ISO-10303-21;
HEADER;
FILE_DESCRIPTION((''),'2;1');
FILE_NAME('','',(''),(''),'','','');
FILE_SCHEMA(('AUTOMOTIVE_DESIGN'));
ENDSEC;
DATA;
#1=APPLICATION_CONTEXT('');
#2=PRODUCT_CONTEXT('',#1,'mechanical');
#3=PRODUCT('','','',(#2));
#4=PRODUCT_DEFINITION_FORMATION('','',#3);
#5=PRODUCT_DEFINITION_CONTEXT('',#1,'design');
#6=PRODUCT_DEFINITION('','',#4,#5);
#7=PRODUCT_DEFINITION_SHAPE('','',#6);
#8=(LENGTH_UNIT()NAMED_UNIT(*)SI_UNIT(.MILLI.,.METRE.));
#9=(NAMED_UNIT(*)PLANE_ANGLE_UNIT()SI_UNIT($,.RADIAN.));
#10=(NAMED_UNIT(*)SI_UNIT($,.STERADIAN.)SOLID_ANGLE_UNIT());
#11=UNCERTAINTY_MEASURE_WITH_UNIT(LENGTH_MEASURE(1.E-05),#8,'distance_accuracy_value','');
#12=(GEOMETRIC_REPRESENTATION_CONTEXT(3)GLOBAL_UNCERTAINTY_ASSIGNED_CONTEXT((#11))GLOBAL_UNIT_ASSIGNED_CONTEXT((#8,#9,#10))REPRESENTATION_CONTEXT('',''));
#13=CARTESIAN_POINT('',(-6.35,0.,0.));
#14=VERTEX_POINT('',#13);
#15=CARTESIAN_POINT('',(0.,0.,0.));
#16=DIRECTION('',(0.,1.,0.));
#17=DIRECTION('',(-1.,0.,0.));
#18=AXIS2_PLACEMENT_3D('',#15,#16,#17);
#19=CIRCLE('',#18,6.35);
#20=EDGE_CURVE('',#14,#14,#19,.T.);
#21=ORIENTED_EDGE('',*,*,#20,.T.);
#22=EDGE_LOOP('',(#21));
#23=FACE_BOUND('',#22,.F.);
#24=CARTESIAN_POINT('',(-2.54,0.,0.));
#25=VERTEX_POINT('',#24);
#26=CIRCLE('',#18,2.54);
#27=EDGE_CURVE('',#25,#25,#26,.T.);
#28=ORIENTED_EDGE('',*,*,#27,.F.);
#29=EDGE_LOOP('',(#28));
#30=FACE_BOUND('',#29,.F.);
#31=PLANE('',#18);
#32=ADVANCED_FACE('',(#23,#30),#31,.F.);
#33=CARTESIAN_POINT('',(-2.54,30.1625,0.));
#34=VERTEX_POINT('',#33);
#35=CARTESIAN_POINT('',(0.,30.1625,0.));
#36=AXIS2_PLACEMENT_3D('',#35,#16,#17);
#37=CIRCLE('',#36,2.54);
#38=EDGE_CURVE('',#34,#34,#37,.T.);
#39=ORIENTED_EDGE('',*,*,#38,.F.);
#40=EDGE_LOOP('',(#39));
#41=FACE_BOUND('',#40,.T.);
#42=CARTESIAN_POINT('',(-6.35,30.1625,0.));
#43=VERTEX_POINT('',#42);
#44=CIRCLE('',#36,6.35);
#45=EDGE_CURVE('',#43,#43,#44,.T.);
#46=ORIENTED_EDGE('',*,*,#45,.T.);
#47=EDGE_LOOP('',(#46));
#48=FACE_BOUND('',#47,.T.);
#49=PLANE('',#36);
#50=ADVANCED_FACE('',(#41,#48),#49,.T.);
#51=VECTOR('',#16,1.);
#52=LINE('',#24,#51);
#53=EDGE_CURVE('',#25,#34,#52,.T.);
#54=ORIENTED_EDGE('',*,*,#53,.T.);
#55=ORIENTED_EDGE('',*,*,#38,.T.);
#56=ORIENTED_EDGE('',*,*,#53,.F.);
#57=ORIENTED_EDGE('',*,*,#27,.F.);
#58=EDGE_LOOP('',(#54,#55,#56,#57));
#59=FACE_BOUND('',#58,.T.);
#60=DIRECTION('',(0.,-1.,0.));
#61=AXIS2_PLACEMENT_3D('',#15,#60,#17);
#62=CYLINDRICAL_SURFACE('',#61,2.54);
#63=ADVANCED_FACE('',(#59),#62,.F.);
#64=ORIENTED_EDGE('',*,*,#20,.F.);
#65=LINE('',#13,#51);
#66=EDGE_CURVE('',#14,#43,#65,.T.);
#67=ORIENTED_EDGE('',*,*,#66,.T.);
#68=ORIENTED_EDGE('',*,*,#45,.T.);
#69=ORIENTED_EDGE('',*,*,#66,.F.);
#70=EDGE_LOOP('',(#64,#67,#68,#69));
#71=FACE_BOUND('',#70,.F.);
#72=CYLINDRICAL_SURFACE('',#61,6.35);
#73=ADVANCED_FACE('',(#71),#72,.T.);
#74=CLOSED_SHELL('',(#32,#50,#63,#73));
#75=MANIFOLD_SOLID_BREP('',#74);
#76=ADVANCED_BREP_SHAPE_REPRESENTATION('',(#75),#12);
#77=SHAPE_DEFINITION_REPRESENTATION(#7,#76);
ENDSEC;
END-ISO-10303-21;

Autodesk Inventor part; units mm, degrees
ref_plane "YZ Plane" through (0, 0, 0) normal (1, 0, 0) x (0, 1, 0)
ref_plane "XZ Plane" through (0, 0, 0) normal (0, 1, 0) x (-1, 0, 0)
ref_plane "XY Plane" through (0, 0, 0) normal (0, 0, 1) x (1, 0, 0)
sketch "Sketch1" plane through (0, 0, 0) normal (0, 1, 0) x (-1, 0, 0)
  circle A0 centre (0, 0) radius 6.35
  circle A1 centre (0, 0) radius 2.54
  dimension "d0" = 12.7
  dimension "d1" = 5.08
extrude "Extrusion1" add sketch "Sketch1" along normal blind 30.1625
thread "Thread1" size "1/4-20 UNC" class "2B" standard "ANSI Unified Screw Threads" full length
properties part number "OUTK_013_Standoff1" material "Aluminum 6061"
